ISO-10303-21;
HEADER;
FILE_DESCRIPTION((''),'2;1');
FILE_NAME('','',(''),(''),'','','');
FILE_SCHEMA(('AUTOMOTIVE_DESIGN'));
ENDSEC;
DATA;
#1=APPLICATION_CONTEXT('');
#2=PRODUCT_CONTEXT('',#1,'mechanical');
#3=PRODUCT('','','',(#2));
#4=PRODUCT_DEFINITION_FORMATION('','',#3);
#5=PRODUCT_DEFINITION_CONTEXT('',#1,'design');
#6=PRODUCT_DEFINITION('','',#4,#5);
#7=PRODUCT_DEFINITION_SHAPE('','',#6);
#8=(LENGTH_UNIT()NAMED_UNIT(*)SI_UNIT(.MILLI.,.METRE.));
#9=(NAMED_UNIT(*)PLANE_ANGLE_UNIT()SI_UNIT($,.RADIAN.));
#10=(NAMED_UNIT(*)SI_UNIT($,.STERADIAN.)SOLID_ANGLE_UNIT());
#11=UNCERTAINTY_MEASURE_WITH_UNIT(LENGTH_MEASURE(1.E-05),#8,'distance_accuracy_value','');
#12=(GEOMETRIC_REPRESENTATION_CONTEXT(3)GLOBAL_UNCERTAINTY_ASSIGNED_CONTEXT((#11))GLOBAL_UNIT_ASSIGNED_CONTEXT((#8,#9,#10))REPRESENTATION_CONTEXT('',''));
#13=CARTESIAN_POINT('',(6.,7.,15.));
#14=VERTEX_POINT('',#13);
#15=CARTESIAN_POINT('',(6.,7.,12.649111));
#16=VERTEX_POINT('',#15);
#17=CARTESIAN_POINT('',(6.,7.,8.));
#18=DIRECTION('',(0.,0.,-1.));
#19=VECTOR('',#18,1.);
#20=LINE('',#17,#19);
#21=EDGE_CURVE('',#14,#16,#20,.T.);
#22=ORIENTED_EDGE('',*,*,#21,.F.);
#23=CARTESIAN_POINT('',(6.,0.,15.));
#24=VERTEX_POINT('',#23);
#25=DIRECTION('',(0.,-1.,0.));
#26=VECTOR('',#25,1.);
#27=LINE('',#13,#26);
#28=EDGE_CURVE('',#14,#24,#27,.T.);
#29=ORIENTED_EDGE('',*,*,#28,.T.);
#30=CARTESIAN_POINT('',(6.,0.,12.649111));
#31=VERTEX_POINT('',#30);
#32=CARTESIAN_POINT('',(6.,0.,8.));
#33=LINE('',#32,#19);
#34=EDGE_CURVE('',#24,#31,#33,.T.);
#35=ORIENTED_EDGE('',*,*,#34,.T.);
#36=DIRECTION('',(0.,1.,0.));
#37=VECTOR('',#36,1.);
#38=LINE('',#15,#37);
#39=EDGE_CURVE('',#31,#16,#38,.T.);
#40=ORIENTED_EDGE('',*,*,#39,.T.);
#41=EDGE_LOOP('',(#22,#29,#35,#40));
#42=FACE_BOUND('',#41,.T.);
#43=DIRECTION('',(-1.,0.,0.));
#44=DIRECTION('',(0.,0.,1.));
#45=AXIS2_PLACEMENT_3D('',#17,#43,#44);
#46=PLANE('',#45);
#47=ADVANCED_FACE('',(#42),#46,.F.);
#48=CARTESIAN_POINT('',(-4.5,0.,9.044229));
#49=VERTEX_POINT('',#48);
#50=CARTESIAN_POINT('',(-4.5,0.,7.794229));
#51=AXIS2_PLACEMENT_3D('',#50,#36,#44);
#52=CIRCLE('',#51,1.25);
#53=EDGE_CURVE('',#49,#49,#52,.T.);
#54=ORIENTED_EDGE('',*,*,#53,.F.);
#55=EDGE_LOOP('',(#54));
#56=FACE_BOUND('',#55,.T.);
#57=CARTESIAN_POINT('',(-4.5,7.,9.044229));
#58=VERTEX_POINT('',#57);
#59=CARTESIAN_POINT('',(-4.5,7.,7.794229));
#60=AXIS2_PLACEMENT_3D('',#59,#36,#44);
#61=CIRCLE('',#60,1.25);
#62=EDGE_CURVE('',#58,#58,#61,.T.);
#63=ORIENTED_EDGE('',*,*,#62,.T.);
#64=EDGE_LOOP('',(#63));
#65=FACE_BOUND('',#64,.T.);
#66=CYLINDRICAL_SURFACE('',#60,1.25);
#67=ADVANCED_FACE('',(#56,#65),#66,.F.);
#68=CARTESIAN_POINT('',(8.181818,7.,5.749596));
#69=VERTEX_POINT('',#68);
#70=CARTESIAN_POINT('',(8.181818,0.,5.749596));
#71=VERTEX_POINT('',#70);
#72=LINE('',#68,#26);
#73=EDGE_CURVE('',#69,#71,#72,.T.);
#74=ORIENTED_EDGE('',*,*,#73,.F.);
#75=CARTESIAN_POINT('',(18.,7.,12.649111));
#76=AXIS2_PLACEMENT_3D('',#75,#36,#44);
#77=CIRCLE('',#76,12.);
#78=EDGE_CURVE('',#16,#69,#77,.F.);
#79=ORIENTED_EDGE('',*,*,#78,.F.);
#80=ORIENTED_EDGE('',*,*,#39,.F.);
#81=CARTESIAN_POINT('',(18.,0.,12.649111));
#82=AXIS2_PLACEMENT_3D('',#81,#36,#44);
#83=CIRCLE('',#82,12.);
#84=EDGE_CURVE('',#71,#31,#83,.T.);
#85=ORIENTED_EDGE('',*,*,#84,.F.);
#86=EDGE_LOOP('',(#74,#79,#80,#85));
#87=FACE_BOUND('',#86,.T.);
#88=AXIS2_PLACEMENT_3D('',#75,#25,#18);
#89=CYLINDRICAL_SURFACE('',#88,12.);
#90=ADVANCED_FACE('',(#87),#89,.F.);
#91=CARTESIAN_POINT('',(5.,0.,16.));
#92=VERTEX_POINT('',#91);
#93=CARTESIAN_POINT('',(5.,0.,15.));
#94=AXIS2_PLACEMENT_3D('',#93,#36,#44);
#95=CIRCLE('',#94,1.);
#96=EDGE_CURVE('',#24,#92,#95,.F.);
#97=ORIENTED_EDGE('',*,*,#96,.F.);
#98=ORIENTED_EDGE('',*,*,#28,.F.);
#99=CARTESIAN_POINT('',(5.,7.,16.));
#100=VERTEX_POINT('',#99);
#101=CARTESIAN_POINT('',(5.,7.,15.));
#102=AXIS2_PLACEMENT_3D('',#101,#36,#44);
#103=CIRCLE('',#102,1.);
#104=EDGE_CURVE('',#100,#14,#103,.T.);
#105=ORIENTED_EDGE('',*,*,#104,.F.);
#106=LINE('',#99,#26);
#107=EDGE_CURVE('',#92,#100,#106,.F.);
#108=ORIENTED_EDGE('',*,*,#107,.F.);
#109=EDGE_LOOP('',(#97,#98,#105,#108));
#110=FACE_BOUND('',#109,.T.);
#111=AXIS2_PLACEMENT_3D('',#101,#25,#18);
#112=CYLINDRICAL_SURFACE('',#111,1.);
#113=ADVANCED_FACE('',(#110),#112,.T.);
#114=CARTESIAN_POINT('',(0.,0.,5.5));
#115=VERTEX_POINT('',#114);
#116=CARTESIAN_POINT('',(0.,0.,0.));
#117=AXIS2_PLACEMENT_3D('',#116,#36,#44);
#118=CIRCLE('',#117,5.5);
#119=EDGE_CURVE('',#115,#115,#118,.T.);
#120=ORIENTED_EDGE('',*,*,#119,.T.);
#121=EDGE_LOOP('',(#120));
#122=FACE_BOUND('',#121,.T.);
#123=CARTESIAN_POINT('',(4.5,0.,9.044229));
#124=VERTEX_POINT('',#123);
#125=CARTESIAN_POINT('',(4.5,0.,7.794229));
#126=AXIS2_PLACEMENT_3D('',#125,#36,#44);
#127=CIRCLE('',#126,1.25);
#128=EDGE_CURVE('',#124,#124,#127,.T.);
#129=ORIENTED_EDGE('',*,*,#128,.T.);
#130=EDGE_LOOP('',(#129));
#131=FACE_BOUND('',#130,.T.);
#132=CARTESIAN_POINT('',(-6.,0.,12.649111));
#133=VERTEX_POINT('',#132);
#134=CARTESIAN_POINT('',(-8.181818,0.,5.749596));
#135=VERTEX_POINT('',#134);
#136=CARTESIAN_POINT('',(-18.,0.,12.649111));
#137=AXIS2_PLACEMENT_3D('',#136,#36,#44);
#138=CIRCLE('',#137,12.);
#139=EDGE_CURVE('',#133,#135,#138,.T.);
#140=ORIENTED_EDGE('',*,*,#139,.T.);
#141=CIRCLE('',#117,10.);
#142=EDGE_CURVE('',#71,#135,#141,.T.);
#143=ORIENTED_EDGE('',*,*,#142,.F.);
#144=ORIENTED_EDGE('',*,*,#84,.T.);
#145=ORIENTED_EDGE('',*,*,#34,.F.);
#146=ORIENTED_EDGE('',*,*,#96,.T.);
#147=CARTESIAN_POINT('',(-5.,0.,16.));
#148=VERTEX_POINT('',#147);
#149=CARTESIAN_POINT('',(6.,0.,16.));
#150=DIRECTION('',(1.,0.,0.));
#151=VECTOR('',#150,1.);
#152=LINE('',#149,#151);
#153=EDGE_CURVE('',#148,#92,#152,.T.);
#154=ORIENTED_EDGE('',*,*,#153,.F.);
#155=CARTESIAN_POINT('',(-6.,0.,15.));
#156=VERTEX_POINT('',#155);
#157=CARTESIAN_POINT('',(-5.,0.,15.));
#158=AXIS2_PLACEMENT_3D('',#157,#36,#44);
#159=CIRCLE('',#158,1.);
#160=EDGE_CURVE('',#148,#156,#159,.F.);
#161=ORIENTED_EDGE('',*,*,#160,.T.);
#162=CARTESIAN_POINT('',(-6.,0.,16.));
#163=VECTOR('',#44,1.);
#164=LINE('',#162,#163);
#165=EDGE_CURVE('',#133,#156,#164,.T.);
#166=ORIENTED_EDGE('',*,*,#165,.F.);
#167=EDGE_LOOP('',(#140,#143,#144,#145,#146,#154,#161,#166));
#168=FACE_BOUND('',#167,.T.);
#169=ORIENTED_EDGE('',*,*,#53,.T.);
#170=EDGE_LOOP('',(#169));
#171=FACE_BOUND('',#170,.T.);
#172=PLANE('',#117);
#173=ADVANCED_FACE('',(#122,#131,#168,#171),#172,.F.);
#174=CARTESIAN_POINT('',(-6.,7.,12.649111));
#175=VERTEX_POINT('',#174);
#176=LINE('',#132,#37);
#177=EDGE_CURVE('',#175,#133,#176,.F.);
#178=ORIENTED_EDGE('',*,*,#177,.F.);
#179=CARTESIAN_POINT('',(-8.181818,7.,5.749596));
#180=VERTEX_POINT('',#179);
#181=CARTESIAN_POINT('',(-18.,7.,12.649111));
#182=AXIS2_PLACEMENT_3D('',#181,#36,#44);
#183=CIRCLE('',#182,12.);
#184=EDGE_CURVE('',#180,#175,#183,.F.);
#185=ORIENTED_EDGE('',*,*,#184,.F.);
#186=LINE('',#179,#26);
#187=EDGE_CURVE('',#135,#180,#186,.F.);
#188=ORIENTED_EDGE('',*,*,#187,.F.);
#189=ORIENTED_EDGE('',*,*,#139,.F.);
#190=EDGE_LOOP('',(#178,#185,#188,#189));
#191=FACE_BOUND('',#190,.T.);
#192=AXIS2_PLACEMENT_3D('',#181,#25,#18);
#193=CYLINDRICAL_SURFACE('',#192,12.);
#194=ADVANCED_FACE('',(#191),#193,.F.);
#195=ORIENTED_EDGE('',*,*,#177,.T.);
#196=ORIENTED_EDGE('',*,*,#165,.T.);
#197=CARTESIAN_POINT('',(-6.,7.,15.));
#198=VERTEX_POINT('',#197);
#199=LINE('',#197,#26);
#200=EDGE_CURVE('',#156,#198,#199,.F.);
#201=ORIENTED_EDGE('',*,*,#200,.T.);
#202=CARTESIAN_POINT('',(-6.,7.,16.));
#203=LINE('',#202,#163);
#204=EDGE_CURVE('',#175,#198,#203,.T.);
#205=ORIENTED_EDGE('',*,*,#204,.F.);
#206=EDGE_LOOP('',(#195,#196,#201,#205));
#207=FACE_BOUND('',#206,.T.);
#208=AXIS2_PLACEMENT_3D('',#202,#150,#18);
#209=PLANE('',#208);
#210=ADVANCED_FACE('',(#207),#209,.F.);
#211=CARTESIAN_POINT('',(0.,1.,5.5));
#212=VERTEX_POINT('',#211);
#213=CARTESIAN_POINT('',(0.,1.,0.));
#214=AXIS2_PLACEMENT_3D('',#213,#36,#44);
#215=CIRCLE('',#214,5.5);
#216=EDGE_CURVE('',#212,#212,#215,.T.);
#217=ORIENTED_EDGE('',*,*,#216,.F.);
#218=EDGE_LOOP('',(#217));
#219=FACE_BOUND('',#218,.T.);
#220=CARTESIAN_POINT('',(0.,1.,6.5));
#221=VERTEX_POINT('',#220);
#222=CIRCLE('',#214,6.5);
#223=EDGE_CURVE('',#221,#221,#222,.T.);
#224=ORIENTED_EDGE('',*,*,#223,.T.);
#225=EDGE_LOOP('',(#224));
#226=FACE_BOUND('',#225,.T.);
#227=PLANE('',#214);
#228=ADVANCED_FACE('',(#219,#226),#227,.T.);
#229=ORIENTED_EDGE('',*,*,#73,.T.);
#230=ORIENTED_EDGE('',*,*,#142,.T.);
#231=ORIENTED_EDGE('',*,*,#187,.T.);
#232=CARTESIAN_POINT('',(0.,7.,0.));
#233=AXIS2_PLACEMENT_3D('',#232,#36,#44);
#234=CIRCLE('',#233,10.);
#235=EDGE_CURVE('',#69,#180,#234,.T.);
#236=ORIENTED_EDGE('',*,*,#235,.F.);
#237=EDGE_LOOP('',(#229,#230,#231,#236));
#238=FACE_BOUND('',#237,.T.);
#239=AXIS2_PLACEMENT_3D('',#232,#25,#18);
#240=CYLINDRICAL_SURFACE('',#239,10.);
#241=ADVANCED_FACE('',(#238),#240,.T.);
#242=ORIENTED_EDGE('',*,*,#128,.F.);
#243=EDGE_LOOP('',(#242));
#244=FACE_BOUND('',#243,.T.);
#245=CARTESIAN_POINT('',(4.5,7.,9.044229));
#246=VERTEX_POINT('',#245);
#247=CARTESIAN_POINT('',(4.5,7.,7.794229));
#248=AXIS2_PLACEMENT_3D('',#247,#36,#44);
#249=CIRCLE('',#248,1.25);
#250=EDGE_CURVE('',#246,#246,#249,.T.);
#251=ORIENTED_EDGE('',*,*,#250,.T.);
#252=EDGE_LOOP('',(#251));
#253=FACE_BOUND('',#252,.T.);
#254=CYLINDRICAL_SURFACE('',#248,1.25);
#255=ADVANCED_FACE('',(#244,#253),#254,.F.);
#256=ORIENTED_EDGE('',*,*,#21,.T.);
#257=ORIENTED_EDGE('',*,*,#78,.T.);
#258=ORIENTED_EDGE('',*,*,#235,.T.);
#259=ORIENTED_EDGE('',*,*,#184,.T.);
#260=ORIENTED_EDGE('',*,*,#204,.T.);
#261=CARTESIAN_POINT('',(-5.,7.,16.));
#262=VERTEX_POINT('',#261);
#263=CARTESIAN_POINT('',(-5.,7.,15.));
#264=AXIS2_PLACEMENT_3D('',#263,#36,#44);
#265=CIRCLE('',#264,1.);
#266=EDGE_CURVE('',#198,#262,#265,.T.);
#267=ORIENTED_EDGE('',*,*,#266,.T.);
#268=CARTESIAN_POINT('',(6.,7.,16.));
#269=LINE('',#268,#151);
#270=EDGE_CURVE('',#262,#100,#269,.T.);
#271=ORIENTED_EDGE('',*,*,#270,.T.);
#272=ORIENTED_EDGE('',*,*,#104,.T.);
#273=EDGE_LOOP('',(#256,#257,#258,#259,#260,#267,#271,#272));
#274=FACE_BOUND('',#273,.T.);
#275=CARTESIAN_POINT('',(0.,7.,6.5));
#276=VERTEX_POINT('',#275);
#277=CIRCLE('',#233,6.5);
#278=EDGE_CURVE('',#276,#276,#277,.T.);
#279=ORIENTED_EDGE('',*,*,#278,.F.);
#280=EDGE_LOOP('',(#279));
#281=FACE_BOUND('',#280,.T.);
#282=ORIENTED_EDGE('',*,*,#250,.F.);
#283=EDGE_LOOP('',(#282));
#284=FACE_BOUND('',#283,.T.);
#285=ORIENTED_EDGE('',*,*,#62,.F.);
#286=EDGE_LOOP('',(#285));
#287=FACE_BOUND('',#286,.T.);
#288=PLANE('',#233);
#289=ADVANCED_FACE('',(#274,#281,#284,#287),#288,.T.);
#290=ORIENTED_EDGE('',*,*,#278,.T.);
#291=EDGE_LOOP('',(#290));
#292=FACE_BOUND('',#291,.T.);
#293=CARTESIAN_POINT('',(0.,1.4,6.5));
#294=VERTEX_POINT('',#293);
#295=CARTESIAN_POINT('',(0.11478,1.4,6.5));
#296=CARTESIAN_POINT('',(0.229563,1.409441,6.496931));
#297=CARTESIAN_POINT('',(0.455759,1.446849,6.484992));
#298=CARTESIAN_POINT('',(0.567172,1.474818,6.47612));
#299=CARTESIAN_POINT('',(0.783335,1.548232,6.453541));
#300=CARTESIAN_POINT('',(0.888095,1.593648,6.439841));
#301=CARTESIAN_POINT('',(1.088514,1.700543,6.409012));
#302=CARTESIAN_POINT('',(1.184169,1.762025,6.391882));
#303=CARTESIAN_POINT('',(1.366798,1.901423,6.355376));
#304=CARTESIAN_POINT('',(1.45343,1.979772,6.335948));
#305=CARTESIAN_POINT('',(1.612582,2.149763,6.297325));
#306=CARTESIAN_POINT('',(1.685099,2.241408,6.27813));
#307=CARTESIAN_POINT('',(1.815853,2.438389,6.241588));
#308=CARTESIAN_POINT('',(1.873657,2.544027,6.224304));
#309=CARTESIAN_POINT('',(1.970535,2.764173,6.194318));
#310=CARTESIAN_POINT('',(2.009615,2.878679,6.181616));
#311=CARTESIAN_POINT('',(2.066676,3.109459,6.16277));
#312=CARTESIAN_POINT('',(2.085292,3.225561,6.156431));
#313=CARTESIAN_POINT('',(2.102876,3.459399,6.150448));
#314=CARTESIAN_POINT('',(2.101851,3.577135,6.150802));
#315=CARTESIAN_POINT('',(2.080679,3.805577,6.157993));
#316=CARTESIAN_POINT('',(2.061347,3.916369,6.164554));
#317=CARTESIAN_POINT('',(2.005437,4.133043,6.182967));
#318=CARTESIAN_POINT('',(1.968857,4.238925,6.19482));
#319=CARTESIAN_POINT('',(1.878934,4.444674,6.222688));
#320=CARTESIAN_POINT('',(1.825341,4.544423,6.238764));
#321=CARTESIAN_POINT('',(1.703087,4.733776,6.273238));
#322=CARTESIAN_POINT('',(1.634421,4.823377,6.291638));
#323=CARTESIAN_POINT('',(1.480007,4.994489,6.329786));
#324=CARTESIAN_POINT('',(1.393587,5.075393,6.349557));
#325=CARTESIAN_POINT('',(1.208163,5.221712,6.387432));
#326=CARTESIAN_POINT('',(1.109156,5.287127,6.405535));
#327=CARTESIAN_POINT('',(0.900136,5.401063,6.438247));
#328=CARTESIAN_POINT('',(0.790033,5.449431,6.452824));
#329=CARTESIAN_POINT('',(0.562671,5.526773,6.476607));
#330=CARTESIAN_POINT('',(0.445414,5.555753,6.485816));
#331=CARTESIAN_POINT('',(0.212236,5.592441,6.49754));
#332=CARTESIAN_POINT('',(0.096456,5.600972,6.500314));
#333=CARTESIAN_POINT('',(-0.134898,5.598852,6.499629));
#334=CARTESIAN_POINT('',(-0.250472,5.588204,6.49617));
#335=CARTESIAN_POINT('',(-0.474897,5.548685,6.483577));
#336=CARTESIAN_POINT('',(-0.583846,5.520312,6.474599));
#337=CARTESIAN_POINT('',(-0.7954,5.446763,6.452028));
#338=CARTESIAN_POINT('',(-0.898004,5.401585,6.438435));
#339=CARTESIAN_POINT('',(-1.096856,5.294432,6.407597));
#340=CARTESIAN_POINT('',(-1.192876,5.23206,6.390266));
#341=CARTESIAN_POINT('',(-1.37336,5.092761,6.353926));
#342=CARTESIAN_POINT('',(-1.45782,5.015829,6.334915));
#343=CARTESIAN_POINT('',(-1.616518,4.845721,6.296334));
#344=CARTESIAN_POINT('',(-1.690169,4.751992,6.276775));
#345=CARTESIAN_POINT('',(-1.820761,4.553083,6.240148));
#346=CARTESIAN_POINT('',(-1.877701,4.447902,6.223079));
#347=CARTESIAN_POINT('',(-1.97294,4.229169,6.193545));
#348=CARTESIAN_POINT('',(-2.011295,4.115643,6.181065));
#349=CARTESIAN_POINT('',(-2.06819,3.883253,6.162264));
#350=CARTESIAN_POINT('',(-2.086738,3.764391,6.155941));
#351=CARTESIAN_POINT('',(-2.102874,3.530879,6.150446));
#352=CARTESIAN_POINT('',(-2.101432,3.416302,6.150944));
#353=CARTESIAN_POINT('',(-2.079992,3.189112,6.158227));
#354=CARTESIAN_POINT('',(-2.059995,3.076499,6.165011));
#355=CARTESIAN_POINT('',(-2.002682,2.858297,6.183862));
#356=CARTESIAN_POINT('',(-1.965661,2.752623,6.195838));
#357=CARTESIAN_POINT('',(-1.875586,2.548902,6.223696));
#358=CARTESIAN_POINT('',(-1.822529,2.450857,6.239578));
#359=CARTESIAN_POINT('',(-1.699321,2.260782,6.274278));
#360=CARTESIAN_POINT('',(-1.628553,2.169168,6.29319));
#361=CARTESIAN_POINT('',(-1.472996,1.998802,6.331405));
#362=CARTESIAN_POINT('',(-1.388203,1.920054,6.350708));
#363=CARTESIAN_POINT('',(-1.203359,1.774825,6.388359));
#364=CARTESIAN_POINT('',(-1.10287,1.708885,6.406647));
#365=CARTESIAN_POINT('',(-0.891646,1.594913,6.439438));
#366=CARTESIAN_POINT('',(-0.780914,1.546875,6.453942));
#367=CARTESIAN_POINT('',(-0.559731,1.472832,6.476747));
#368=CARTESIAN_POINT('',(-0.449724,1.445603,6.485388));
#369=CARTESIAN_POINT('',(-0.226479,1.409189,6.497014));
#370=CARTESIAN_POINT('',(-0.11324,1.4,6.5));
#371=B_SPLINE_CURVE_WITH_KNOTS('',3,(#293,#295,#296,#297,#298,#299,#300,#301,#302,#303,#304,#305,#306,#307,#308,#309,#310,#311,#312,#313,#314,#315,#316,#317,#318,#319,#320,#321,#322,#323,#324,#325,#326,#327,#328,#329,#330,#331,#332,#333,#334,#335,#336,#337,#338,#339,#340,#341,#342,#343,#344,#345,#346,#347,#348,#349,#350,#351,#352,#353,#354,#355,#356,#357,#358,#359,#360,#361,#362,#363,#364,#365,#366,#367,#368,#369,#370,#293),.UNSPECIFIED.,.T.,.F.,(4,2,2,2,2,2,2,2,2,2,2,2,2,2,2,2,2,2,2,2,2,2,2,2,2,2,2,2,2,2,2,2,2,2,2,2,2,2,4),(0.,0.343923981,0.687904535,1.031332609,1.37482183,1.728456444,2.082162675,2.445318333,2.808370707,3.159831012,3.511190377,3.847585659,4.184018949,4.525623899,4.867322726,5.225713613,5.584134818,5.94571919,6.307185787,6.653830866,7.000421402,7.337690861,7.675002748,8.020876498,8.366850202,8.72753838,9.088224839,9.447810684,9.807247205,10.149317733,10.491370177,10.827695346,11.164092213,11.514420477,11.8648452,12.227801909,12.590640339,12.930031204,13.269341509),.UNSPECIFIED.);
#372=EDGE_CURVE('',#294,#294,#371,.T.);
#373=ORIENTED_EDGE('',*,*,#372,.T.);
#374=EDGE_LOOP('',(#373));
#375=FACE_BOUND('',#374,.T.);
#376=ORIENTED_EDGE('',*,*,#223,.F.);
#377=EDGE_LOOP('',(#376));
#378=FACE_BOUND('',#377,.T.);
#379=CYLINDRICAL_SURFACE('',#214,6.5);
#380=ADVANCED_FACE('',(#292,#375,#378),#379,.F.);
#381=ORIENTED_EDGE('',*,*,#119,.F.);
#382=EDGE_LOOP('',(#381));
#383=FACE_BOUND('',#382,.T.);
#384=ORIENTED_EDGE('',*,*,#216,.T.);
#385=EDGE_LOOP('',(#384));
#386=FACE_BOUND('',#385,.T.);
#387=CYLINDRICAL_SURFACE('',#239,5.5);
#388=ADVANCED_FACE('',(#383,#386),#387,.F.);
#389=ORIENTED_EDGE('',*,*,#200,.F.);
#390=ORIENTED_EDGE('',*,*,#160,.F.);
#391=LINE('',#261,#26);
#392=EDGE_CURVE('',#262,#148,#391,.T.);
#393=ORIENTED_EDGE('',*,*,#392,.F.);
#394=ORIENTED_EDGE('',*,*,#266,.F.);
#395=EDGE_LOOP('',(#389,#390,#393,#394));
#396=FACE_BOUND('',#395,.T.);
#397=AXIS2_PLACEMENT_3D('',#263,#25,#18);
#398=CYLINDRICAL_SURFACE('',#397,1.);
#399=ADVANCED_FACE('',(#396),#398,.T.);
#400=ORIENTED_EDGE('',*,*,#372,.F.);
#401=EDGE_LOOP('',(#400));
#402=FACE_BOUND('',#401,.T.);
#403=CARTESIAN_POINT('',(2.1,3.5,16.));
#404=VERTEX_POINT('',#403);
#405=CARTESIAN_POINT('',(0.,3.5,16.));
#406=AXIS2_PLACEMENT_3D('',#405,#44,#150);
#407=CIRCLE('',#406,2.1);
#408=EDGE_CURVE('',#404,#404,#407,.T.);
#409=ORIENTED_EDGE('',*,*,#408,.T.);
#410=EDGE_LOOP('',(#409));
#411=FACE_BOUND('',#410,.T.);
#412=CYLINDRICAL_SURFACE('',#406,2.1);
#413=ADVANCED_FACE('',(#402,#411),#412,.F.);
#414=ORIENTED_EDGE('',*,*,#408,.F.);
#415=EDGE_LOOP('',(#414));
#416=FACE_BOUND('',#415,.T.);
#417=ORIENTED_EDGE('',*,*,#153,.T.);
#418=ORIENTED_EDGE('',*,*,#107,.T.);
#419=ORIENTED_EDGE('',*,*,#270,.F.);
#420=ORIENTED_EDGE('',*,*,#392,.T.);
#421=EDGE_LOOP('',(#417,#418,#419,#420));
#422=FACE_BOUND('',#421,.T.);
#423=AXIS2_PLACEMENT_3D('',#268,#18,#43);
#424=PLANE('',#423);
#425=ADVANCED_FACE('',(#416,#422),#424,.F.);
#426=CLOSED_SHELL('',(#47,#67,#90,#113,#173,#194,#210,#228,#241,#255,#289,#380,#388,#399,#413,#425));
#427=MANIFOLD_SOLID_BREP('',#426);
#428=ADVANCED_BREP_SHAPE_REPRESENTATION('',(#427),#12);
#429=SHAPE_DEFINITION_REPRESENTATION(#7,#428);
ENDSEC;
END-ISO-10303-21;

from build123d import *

# Parameters (mm, degrees)
ESQUISSE1_R             = 10
ESQUISSE1_R_2           = 5.5
BOSS_EXTRU_1_DEPTH      = 7
ESQUISSE2_R             = 6.5
ENL_V_MAT_EXTRU_1_DEPTH = 6
ESQUISSE7_W             = 12
ESQUISSE7_H             = 8
BOSS_EXTRU_2_DEPTH      = 7
CONG_1_R                = 12
TROU_TARAUD_M31_D       = 2.5
TROU_TARAUD_M51_D       = 4.2
TROU_TARAUD_M51_DEPTH   = 16
TROU_TARAUD_M51_TIP     = 1.2618073
CONG_2_R                = 1


with BuildPart() as part:
    # Esquisse1 → Boss.-Extru.1 (new body)
    with BuildSketch(Plane(origin=(0, 0, 0), x_dir=(1, 0, 0), z_dir=(0, 1, 0))):
        with Locations(Location((0, 0, 0), (0, 0, 270))):  # turned: the seam where the file's is
            Circle(ESQUISSE1_R)
        with Locations(Location((0, 0, 0), (0, 0, 270))):  # turned: the seam where the file's is
            Circle(ESQUISSE1_R_2, mode=Mode.SUBTRACT)
    extrude(amount=BOSS_EXTRU_1_DEPTH)

    # Esquisse2 → Enlèv. mat.-Extru.1 (cut)
    with BuildSketch(Plane(origin=(0, 7, 0), x_dir=(1, 0, 0), z_dir=(0, 1, 0))):
        with Locations(Location((0, 0, 0), (0, 0, 270))):  # turned: the seam where the file's is
            Circle(ESQUISSE2_R)
    extrude(amount=-ENL_V_MAT_EXTRU_1_DEPTH, mode=Mode.SUBTRACT)

    # Esquisse7 → Boss.-Extru.2 (add)
    with BuildSketch(Plane(origin=(0, 0, 0), x_dir=(1, 0, 0), z_dir=(0, 1, 0))):
        with Locations((0, -12)):
            Rectangle(ESQUISSE7_W, ESQUISSE7_H)
    extrude(amount=BOSS_EXTRU_2_DEPTH)

    # Congé1
    cong_1_edges = [part.edges().sort_by_distance(p)[0] for p in [
        (-6, 3.5, 8),
        (6, 3.5, 8),
    ]]
    fillet(cong_1_edges, radius=CONG_1_R)

    # Trou taraudé M31 (through all)
    with Locations(Plane(origin=(0, 7, 0), x_dir=(1, 0, 0), z_dir=(0, 1, 0))):
        with Locations((4.5, -7.794228634), (-4.5, -7.794228634)):
            Hole(TROU_TARAUD_M31_D / 2)

    # Trou taraudé M51
    with Locations(Plane.XY.offset(16)):
        with Locations((0, 3.5)):
            Hole(TROU_TARAUD_M51_D / 2, depth=TROU_TARAUD_M51_DEPTH)
            with Locations((0, 0, -(TROU_TARAUD_M51_DEPTH + TROU_TARAUD_M51_TIP / 2))):  # 118° drill point
                Cone(0, TROU_TARAUD_M51_D / 2, TROU_TARAUD_M51_TIP, mode=Mode.SUBTRACT)

    # Congé2
    cong_2_edges = [part.edges().sort_by_distance(p)[0] for p in [
        (-6, 3.5, 16),
        (6, 3.5, 16),
    ]]
    fillet(cong_2_edges, radius=CONG_2_R)


solid = part.part
